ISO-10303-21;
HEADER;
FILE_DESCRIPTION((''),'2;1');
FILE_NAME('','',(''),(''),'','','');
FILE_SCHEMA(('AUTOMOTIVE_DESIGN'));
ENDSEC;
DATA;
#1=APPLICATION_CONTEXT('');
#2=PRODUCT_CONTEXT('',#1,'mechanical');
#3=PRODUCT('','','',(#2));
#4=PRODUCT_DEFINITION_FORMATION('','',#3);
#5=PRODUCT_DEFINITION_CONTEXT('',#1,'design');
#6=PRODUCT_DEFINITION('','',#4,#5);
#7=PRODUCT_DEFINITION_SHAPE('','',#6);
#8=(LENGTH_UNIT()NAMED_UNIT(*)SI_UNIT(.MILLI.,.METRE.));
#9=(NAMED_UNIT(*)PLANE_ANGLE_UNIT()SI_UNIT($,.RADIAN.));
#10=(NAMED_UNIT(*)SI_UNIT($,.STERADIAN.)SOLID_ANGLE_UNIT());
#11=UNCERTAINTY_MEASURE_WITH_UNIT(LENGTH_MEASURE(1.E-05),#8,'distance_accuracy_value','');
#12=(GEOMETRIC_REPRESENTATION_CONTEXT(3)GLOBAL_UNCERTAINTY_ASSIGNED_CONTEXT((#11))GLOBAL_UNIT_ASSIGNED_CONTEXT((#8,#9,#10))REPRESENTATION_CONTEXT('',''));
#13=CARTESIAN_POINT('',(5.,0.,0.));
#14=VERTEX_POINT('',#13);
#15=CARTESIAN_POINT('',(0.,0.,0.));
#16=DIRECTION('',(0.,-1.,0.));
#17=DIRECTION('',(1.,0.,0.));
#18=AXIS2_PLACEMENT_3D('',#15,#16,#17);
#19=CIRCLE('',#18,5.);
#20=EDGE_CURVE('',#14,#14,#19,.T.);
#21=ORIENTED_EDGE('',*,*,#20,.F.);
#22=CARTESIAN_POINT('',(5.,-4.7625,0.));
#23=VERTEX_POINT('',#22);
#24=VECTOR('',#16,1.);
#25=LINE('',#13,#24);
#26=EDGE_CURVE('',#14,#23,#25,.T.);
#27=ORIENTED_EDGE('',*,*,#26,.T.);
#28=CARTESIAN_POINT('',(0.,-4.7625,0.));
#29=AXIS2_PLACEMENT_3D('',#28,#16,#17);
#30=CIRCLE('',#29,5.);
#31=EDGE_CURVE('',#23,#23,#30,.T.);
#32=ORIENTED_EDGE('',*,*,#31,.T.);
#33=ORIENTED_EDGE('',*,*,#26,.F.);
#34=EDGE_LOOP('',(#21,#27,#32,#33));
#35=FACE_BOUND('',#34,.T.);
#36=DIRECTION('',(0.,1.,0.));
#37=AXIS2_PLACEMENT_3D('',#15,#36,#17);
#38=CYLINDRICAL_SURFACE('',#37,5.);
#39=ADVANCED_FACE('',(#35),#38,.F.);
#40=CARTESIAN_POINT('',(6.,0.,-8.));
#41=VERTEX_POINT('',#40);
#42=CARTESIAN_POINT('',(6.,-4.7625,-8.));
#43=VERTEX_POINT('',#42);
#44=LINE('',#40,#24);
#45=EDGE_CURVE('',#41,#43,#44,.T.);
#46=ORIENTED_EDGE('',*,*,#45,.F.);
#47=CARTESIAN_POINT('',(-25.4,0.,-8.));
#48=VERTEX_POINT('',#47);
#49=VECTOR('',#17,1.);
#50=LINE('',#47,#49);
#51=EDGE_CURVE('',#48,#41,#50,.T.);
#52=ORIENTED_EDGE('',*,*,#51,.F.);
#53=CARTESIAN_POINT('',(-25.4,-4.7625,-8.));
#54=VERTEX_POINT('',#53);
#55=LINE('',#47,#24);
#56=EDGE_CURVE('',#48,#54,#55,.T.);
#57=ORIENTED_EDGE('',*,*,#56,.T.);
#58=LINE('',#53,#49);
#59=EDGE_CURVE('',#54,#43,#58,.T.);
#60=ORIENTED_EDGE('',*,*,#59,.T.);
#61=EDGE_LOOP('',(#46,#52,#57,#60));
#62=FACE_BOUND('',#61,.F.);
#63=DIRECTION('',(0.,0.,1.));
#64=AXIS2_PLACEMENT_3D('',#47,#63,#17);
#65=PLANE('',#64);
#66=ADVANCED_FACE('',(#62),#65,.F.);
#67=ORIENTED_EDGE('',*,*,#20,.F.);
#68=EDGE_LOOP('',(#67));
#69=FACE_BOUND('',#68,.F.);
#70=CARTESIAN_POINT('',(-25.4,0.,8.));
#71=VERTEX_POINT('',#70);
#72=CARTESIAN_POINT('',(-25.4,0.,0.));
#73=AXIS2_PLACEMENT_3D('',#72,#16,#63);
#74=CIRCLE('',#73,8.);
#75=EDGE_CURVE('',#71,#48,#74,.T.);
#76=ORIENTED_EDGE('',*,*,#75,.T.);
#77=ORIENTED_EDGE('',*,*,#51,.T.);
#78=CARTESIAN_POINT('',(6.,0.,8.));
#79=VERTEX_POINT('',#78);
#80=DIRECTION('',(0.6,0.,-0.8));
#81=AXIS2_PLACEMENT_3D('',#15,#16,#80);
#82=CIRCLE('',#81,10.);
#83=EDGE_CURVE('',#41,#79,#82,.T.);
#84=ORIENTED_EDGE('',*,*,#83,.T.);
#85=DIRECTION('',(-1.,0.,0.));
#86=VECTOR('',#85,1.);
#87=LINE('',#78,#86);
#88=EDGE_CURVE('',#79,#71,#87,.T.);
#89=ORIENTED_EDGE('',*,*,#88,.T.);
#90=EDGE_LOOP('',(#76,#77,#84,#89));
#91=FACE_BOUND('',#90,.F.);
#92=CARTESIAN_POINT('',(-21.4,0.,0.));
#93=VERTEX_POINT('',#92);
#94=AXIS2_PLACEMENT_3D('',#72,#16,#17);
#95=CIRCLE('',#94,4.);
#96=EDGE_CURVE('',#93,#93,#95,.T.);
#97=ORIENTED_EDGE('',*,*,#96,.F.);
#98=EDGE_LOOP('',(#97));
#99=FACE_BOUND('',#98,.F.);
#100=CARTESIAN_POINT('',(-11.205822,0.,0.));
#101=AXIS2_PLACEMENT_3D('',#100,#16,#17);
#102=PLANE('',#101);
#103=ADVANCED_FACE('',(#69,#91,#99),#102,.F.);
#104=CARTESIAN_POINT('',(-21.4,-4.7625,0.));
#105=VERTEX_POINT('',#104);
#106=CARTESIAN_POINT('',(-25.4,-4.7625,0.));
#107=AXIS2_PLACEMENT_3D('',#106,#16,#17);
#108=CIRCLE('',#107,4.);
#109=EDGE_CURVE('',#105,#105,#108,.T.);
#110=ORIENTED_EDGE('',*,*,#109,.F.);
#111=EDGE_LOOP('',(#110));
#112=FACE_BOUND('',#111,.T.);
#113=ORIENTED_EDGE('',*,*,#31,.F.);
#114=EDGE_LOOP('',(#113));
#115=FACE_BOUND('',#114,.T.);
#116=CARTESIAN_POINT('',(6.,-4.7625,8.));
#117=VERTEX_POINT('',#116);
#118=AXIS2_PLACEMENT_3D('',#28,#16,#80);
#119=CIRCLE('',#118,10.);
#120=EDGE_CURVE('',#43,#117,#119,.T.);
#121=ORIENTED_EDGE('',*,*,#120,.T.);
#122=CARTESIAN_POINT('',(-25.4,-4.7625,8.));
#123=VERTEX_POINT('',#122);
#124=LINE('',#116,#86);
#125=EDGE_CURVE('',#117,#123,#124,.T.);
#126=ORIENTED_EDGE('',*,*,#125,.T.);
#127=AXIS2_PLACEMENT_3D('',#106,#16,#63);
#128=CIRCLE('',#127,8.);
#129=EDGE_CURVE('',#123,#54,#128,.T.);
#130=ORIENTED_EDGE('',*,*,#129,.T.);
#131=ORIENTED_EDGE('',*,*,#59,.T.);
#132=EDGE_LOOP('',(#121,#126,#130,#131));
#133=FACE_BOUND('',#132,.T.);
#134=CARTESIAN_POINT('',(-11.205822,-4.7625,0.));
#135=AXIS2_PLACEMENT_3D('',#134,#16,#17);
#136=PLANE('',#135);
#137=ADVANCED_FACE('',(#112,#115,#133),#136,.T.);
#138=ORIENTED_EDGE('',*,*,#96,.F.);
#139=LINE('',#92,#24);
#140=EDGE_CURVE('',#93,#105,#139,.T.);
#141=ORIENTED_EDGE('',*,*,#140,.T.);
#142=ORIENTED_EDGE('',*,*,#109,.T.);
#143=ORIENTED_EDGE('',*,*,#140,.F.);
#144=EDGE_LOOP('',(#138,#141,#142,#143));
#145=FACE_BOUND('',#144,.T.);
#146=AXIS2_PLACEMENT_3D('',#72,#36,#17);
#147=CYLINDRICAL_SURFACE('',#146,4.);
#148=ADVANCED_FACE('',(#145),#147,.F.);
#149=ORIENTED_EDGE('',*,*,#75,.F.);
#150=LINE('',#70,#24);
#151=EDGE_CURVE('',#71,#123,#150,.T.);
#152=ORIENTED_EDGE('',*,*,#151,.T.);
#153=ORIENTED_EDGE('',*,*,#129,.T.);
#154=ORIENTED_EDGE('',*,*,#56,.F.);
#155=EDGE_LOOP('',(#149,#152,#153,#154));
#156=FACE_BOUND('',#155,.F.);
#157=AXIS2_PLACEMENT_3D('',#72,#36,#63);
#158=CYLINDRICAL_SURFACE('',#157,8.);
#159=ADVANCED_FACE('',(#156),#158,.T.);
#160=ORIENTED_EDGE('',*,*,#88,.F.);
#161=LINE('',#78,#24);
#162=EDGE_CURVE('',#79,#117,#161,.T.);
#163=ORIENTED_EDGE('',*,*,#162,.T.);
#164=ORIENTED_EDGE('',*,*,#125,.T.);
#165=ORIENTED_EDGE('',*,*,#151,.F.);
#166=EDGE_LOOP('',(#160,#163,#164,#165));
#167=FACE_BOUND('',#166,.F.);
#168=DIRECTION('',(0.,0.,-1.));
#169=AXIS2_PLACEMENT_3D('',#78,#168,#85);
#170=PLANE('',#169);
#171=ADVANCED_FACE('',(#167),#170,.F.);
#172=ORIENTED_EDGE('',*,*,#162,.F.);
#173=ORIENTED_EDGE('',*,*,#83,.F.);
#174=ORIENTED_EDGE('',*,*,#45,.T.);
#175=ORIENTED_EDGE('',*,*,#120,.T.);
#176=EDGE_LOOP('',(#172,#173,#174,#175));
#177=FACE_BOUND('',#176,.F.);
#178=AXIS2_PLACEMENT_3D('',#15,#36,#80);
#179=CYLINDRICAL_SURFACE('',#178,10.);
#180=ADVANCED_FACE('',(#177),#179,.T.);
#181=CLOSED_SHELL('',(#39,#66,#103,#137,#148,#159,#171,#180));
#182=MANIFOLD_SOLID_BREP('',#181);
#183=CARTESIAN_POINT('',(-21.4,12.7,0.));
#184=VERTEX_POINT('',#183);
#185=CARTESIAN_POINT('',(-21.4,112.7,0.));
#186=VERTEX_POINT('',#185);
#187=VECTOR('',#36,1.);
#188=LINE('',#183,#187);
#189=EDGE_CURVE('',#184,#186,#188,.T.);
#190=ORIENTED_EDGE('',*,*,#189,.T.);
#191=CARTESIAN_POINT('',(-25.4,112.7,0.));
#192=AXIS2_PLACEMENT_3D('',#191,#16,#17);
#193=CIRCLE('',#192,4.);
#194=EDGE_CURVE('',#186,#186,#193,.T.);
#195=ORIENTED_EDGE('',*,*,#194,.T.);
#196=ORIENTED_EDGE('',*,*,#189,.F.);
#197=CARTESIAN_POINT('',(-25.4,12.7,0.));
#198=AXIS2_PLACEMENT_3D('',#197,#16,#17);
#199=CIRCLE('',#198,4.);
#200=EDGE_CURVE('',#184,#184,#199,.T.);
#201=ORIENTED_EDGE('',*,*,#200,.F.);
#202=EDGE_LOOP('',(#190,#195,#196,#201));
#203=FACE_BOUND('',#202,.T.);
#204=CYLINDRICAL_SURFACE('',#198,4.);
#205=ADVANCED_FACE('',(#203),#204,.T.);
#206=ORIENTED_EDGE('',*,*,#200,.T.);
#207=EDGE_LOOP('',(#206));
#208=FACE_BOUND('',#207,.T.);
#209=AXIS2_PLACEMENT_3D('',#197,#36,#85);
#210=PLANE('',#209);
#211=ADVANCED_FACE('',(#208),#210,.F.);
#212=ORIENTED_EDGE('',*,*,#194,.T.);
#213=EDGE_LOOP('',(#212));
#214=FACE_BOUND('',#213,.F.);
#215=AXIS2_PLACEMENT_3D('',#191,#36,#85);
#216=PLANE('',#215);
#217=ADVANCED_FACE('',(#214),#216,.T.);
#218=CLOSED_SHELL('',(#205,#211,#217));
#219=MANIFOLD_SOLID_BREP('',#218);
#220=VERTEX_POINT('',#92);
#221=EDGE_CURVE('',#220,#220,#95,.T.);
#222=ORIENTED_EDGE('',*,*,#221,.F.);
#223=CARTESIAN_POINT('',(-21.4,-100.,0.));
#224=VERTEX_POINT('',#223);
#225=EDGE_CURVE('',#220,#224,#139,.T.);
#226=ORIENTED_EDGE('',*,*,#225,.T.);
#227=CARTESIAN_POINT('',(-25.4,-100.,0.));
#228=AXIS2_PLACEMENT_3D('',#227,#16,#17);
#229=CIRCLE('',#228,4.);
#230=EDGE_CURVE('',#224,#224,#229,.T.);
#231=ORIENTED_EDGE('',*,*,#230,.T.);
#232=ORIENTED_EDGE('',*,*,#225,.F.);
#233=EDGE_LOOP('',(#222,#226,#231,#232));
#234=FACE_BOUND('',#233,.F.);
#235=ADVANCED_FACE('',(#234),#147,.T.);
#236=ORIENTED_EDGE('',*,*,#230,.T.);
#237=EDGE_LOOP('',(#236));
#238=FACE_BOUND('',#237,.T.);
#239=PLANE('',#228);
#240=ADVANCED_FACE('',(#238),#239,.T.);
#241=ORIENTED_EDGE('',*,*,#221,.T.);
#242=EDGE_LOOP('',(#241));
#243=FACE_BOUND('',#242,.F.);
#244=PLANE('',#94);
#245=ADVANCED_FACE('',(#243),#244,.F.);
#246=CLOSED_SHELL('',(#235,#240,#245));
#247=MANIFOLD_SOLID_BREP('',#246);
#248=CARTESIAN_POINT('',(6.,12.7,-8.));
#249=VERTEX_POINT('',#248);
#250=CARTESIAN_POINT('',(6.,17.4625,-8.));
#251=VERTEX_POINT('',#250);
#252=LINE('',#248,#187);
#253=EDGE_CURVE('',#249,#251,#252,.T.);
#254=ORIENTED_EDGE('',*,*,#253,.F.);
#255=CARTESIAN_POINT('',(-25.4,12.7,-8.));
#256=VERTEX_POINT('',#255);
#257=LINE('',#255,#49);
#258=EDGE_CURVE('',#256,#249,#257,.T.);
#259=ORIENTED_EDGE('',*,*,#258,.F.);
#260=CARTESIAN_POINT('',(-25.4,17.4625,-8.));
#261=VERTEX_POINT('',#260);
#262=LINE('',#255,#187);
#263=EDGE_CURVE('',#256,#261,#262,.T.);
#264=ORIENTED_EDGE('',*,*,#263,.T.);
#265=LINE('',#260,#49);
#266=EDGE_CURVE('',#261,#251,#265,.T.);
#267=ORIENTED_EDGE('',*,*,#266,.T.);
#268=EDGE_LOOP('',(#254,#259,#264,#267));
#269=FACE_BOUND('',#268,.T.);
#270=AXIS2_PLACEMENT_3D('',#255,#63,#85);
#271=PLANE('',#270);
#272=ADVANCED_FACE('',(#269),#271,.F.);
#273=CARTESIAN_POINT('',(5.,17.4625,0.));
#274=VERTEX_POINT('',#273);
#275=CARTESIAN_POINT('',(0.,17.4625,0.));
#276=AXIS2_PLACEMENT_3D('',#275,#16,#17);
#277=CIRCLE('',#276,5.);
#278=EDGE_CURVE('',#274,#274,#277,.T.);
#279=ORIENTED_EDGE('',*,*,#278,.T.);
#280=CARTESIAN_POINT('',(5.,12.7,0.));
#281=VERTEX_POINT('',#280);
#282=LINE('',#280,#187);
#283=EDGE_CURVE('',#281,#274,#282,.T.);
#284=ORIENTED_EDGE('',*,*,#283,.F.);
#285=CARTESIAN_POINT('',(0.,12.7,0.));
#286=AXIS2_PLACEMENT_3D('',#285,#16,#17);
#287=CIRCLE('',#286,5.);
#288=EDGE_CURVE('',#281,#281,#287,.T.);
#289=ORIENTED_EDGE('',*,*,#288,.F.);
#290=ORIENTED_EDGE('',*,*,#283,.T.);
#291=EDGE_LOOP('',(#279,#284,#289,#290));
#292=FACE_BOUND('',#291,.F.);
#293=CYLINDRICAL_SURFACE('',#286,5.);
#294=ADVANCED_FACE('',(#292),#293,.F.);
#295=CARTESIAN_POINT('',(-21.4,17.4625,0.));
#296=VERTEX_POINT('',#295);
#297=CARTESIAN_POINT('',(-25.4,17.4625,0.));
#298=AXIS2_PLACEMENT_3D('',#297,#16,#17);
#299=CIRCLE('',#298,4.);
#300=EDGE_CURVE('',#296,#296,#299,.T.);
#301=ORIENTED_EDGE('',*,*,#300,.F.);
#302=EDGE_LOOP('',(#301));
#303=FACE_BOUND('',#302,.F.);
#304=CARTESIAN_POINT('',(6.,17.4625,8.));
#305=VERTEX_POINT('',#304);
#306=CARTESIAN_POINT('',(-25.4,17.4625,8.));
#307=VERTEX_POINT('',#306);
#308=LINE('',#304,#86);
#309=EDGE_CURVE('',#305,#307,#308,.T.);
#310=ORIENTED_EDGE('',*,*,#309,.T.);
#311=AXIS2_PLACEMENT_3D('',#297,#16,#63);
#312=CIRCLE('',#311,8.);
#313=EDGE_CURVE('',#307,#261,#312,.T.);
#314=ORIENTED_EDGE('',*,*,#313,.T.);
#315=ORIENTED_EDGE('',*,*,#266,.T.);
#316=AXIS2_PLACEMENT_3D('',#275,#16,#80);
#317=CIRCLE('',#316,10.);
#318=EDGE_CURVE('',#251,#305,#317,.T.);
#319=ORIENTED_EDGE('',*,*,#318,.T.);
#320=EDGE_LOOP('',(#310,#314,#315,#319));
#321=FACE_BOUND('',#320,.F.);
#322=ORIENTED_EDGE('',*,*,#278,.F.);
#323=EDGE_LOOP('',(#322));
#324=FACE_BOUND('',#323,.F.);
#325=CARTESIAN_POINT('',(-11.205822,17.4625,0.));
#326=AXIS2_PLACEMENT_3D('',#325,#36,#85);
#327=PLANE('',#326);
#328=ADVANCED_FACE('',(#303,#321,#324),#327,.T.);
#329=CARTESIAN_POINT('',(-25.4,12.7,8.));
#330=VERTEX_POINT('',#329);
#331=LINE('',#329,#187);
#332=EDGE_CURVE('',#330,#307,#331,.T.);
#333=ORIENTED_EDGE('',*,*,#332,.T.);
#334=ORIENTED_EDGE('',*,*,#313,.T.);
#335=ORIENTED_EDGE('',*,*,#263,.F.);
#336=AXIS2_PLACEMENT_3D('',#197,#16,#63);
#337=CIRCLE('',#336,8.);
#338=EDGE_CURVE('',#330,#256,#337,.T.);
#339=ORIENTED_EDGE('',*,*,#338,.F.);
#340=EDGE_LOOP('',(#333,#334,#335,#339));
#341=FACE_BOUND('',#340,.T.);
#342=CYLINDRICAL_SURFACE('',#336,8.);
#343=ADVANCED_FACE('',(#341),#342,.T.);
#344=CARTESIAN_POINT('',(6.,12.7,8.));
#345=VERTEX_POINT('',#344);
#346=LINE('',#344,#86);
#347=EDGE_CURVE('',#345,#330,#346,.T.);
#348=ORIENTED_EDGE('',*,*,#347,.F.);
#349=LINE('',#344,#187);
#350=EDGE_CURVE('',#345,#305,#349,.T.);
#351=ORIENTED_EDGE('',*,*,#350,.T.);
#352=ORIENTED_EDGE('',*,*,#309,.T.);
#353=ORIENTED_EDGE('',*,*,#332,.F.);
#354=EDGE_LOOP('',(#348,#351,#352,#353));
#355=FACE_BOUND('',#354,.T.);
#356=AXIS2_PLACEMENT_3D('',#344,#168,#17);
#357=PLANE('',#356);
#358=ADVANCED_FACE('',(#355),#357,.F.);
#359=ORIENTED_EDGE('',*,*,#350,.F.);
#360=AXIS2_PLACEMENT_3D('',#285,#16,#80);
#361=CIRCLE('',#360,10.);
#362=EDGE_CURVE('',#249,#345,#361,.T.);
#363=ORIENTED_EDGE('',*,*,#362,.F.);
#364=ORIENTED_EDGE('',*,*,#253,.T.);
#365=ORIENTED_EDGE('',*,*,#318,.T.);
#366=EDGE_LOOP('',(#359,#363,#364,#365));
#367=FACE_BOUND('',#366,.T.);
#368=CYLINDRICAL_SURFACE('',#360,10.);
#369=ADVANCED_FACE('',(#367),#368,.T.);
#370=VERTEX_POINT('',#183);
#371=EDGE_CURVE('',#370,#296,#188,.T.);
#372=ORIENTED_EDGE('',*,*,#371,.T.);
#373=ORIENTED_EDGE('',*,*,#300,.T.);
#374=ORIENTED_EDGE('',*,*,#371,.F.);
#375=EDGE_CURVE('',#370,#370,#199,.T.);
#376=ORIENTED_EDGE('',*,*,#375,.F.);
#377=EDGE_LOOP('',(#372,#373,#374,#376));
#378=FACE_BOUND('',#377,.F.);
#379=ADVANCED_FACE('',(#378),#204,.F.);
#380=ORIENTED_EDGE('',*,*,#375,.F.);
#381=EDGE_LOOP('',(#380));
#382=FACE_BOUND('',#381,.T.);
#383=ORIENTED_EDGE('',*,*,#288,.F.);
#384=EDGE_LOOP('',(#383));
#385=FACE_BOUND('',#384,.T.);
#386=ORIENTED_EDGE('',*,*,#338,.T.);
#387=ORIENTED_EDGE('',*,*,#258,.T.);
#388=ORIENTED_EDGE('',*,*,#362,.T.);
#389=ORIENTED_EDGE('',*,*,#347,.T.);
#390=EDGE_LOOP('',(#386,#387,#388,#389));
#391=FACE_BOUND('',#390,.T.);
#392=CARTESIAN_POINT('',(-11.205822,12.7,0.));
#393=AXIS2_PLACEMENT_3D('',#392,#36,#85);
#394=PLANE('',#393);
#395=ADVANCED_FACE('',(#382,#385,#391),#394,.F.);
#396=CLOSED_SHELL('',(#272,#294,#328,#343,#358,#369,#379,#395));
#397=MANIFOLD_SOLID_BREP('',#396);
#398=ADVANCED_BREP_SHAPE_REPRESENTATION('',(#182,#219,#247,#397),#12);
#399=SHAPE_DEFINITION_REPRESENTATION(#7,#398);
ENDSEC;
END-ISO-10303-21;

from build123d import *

# Parameters (mm, degrees)
F0_R     = 4
F0_R_2   = 5
F1_DEPTH = 4.7625
F2_R     = 4
F3_DEPTH = 100


with BuildPart() as f1:
    # F0 (on Front) → F1 (new body)
    with BuildSketch(Plane.XZ):
        with BuildLine():
            Line((6, 8), (-25.4, 8))
            ThreePointArc((-25.4, 8), (-33.4, 0), (-25.4, -8))
            Line((-25.4, -8), (6, -8))
            ThreePointArc((6, -8), (10, 0), (6, 8))
        make_face()
        with Locations((-25.4, 0)):
            Circle(F0_R, mode=Mode.SUBTRACT)
        Circle(F0_R_2, mode=Mode.SUBTRACT)
    extrude(amount=F1_DEPTH)


with BuildPart() as f3:
    # F2 (on Front) → F3 (new body)
    with BuildSketch(Plane.XZ):
        with Locations((-25.4, 0)):
            Circle(F2_R)
    extrude(amount=F3_DEPTH)


with BuildPart() as f5_1:
    # F5: instance of F1
    add(f1.part.mirror(Plane.XZ.offset(-6.35)))


with BuildPart() as f5_2:
    # F5: instance of F3
    add(f3.part.mirror(Plane.XZ.offset(-6.35)))


solid = Compound([f1.part, f3.part, f5_1.part, f5_2.part])
